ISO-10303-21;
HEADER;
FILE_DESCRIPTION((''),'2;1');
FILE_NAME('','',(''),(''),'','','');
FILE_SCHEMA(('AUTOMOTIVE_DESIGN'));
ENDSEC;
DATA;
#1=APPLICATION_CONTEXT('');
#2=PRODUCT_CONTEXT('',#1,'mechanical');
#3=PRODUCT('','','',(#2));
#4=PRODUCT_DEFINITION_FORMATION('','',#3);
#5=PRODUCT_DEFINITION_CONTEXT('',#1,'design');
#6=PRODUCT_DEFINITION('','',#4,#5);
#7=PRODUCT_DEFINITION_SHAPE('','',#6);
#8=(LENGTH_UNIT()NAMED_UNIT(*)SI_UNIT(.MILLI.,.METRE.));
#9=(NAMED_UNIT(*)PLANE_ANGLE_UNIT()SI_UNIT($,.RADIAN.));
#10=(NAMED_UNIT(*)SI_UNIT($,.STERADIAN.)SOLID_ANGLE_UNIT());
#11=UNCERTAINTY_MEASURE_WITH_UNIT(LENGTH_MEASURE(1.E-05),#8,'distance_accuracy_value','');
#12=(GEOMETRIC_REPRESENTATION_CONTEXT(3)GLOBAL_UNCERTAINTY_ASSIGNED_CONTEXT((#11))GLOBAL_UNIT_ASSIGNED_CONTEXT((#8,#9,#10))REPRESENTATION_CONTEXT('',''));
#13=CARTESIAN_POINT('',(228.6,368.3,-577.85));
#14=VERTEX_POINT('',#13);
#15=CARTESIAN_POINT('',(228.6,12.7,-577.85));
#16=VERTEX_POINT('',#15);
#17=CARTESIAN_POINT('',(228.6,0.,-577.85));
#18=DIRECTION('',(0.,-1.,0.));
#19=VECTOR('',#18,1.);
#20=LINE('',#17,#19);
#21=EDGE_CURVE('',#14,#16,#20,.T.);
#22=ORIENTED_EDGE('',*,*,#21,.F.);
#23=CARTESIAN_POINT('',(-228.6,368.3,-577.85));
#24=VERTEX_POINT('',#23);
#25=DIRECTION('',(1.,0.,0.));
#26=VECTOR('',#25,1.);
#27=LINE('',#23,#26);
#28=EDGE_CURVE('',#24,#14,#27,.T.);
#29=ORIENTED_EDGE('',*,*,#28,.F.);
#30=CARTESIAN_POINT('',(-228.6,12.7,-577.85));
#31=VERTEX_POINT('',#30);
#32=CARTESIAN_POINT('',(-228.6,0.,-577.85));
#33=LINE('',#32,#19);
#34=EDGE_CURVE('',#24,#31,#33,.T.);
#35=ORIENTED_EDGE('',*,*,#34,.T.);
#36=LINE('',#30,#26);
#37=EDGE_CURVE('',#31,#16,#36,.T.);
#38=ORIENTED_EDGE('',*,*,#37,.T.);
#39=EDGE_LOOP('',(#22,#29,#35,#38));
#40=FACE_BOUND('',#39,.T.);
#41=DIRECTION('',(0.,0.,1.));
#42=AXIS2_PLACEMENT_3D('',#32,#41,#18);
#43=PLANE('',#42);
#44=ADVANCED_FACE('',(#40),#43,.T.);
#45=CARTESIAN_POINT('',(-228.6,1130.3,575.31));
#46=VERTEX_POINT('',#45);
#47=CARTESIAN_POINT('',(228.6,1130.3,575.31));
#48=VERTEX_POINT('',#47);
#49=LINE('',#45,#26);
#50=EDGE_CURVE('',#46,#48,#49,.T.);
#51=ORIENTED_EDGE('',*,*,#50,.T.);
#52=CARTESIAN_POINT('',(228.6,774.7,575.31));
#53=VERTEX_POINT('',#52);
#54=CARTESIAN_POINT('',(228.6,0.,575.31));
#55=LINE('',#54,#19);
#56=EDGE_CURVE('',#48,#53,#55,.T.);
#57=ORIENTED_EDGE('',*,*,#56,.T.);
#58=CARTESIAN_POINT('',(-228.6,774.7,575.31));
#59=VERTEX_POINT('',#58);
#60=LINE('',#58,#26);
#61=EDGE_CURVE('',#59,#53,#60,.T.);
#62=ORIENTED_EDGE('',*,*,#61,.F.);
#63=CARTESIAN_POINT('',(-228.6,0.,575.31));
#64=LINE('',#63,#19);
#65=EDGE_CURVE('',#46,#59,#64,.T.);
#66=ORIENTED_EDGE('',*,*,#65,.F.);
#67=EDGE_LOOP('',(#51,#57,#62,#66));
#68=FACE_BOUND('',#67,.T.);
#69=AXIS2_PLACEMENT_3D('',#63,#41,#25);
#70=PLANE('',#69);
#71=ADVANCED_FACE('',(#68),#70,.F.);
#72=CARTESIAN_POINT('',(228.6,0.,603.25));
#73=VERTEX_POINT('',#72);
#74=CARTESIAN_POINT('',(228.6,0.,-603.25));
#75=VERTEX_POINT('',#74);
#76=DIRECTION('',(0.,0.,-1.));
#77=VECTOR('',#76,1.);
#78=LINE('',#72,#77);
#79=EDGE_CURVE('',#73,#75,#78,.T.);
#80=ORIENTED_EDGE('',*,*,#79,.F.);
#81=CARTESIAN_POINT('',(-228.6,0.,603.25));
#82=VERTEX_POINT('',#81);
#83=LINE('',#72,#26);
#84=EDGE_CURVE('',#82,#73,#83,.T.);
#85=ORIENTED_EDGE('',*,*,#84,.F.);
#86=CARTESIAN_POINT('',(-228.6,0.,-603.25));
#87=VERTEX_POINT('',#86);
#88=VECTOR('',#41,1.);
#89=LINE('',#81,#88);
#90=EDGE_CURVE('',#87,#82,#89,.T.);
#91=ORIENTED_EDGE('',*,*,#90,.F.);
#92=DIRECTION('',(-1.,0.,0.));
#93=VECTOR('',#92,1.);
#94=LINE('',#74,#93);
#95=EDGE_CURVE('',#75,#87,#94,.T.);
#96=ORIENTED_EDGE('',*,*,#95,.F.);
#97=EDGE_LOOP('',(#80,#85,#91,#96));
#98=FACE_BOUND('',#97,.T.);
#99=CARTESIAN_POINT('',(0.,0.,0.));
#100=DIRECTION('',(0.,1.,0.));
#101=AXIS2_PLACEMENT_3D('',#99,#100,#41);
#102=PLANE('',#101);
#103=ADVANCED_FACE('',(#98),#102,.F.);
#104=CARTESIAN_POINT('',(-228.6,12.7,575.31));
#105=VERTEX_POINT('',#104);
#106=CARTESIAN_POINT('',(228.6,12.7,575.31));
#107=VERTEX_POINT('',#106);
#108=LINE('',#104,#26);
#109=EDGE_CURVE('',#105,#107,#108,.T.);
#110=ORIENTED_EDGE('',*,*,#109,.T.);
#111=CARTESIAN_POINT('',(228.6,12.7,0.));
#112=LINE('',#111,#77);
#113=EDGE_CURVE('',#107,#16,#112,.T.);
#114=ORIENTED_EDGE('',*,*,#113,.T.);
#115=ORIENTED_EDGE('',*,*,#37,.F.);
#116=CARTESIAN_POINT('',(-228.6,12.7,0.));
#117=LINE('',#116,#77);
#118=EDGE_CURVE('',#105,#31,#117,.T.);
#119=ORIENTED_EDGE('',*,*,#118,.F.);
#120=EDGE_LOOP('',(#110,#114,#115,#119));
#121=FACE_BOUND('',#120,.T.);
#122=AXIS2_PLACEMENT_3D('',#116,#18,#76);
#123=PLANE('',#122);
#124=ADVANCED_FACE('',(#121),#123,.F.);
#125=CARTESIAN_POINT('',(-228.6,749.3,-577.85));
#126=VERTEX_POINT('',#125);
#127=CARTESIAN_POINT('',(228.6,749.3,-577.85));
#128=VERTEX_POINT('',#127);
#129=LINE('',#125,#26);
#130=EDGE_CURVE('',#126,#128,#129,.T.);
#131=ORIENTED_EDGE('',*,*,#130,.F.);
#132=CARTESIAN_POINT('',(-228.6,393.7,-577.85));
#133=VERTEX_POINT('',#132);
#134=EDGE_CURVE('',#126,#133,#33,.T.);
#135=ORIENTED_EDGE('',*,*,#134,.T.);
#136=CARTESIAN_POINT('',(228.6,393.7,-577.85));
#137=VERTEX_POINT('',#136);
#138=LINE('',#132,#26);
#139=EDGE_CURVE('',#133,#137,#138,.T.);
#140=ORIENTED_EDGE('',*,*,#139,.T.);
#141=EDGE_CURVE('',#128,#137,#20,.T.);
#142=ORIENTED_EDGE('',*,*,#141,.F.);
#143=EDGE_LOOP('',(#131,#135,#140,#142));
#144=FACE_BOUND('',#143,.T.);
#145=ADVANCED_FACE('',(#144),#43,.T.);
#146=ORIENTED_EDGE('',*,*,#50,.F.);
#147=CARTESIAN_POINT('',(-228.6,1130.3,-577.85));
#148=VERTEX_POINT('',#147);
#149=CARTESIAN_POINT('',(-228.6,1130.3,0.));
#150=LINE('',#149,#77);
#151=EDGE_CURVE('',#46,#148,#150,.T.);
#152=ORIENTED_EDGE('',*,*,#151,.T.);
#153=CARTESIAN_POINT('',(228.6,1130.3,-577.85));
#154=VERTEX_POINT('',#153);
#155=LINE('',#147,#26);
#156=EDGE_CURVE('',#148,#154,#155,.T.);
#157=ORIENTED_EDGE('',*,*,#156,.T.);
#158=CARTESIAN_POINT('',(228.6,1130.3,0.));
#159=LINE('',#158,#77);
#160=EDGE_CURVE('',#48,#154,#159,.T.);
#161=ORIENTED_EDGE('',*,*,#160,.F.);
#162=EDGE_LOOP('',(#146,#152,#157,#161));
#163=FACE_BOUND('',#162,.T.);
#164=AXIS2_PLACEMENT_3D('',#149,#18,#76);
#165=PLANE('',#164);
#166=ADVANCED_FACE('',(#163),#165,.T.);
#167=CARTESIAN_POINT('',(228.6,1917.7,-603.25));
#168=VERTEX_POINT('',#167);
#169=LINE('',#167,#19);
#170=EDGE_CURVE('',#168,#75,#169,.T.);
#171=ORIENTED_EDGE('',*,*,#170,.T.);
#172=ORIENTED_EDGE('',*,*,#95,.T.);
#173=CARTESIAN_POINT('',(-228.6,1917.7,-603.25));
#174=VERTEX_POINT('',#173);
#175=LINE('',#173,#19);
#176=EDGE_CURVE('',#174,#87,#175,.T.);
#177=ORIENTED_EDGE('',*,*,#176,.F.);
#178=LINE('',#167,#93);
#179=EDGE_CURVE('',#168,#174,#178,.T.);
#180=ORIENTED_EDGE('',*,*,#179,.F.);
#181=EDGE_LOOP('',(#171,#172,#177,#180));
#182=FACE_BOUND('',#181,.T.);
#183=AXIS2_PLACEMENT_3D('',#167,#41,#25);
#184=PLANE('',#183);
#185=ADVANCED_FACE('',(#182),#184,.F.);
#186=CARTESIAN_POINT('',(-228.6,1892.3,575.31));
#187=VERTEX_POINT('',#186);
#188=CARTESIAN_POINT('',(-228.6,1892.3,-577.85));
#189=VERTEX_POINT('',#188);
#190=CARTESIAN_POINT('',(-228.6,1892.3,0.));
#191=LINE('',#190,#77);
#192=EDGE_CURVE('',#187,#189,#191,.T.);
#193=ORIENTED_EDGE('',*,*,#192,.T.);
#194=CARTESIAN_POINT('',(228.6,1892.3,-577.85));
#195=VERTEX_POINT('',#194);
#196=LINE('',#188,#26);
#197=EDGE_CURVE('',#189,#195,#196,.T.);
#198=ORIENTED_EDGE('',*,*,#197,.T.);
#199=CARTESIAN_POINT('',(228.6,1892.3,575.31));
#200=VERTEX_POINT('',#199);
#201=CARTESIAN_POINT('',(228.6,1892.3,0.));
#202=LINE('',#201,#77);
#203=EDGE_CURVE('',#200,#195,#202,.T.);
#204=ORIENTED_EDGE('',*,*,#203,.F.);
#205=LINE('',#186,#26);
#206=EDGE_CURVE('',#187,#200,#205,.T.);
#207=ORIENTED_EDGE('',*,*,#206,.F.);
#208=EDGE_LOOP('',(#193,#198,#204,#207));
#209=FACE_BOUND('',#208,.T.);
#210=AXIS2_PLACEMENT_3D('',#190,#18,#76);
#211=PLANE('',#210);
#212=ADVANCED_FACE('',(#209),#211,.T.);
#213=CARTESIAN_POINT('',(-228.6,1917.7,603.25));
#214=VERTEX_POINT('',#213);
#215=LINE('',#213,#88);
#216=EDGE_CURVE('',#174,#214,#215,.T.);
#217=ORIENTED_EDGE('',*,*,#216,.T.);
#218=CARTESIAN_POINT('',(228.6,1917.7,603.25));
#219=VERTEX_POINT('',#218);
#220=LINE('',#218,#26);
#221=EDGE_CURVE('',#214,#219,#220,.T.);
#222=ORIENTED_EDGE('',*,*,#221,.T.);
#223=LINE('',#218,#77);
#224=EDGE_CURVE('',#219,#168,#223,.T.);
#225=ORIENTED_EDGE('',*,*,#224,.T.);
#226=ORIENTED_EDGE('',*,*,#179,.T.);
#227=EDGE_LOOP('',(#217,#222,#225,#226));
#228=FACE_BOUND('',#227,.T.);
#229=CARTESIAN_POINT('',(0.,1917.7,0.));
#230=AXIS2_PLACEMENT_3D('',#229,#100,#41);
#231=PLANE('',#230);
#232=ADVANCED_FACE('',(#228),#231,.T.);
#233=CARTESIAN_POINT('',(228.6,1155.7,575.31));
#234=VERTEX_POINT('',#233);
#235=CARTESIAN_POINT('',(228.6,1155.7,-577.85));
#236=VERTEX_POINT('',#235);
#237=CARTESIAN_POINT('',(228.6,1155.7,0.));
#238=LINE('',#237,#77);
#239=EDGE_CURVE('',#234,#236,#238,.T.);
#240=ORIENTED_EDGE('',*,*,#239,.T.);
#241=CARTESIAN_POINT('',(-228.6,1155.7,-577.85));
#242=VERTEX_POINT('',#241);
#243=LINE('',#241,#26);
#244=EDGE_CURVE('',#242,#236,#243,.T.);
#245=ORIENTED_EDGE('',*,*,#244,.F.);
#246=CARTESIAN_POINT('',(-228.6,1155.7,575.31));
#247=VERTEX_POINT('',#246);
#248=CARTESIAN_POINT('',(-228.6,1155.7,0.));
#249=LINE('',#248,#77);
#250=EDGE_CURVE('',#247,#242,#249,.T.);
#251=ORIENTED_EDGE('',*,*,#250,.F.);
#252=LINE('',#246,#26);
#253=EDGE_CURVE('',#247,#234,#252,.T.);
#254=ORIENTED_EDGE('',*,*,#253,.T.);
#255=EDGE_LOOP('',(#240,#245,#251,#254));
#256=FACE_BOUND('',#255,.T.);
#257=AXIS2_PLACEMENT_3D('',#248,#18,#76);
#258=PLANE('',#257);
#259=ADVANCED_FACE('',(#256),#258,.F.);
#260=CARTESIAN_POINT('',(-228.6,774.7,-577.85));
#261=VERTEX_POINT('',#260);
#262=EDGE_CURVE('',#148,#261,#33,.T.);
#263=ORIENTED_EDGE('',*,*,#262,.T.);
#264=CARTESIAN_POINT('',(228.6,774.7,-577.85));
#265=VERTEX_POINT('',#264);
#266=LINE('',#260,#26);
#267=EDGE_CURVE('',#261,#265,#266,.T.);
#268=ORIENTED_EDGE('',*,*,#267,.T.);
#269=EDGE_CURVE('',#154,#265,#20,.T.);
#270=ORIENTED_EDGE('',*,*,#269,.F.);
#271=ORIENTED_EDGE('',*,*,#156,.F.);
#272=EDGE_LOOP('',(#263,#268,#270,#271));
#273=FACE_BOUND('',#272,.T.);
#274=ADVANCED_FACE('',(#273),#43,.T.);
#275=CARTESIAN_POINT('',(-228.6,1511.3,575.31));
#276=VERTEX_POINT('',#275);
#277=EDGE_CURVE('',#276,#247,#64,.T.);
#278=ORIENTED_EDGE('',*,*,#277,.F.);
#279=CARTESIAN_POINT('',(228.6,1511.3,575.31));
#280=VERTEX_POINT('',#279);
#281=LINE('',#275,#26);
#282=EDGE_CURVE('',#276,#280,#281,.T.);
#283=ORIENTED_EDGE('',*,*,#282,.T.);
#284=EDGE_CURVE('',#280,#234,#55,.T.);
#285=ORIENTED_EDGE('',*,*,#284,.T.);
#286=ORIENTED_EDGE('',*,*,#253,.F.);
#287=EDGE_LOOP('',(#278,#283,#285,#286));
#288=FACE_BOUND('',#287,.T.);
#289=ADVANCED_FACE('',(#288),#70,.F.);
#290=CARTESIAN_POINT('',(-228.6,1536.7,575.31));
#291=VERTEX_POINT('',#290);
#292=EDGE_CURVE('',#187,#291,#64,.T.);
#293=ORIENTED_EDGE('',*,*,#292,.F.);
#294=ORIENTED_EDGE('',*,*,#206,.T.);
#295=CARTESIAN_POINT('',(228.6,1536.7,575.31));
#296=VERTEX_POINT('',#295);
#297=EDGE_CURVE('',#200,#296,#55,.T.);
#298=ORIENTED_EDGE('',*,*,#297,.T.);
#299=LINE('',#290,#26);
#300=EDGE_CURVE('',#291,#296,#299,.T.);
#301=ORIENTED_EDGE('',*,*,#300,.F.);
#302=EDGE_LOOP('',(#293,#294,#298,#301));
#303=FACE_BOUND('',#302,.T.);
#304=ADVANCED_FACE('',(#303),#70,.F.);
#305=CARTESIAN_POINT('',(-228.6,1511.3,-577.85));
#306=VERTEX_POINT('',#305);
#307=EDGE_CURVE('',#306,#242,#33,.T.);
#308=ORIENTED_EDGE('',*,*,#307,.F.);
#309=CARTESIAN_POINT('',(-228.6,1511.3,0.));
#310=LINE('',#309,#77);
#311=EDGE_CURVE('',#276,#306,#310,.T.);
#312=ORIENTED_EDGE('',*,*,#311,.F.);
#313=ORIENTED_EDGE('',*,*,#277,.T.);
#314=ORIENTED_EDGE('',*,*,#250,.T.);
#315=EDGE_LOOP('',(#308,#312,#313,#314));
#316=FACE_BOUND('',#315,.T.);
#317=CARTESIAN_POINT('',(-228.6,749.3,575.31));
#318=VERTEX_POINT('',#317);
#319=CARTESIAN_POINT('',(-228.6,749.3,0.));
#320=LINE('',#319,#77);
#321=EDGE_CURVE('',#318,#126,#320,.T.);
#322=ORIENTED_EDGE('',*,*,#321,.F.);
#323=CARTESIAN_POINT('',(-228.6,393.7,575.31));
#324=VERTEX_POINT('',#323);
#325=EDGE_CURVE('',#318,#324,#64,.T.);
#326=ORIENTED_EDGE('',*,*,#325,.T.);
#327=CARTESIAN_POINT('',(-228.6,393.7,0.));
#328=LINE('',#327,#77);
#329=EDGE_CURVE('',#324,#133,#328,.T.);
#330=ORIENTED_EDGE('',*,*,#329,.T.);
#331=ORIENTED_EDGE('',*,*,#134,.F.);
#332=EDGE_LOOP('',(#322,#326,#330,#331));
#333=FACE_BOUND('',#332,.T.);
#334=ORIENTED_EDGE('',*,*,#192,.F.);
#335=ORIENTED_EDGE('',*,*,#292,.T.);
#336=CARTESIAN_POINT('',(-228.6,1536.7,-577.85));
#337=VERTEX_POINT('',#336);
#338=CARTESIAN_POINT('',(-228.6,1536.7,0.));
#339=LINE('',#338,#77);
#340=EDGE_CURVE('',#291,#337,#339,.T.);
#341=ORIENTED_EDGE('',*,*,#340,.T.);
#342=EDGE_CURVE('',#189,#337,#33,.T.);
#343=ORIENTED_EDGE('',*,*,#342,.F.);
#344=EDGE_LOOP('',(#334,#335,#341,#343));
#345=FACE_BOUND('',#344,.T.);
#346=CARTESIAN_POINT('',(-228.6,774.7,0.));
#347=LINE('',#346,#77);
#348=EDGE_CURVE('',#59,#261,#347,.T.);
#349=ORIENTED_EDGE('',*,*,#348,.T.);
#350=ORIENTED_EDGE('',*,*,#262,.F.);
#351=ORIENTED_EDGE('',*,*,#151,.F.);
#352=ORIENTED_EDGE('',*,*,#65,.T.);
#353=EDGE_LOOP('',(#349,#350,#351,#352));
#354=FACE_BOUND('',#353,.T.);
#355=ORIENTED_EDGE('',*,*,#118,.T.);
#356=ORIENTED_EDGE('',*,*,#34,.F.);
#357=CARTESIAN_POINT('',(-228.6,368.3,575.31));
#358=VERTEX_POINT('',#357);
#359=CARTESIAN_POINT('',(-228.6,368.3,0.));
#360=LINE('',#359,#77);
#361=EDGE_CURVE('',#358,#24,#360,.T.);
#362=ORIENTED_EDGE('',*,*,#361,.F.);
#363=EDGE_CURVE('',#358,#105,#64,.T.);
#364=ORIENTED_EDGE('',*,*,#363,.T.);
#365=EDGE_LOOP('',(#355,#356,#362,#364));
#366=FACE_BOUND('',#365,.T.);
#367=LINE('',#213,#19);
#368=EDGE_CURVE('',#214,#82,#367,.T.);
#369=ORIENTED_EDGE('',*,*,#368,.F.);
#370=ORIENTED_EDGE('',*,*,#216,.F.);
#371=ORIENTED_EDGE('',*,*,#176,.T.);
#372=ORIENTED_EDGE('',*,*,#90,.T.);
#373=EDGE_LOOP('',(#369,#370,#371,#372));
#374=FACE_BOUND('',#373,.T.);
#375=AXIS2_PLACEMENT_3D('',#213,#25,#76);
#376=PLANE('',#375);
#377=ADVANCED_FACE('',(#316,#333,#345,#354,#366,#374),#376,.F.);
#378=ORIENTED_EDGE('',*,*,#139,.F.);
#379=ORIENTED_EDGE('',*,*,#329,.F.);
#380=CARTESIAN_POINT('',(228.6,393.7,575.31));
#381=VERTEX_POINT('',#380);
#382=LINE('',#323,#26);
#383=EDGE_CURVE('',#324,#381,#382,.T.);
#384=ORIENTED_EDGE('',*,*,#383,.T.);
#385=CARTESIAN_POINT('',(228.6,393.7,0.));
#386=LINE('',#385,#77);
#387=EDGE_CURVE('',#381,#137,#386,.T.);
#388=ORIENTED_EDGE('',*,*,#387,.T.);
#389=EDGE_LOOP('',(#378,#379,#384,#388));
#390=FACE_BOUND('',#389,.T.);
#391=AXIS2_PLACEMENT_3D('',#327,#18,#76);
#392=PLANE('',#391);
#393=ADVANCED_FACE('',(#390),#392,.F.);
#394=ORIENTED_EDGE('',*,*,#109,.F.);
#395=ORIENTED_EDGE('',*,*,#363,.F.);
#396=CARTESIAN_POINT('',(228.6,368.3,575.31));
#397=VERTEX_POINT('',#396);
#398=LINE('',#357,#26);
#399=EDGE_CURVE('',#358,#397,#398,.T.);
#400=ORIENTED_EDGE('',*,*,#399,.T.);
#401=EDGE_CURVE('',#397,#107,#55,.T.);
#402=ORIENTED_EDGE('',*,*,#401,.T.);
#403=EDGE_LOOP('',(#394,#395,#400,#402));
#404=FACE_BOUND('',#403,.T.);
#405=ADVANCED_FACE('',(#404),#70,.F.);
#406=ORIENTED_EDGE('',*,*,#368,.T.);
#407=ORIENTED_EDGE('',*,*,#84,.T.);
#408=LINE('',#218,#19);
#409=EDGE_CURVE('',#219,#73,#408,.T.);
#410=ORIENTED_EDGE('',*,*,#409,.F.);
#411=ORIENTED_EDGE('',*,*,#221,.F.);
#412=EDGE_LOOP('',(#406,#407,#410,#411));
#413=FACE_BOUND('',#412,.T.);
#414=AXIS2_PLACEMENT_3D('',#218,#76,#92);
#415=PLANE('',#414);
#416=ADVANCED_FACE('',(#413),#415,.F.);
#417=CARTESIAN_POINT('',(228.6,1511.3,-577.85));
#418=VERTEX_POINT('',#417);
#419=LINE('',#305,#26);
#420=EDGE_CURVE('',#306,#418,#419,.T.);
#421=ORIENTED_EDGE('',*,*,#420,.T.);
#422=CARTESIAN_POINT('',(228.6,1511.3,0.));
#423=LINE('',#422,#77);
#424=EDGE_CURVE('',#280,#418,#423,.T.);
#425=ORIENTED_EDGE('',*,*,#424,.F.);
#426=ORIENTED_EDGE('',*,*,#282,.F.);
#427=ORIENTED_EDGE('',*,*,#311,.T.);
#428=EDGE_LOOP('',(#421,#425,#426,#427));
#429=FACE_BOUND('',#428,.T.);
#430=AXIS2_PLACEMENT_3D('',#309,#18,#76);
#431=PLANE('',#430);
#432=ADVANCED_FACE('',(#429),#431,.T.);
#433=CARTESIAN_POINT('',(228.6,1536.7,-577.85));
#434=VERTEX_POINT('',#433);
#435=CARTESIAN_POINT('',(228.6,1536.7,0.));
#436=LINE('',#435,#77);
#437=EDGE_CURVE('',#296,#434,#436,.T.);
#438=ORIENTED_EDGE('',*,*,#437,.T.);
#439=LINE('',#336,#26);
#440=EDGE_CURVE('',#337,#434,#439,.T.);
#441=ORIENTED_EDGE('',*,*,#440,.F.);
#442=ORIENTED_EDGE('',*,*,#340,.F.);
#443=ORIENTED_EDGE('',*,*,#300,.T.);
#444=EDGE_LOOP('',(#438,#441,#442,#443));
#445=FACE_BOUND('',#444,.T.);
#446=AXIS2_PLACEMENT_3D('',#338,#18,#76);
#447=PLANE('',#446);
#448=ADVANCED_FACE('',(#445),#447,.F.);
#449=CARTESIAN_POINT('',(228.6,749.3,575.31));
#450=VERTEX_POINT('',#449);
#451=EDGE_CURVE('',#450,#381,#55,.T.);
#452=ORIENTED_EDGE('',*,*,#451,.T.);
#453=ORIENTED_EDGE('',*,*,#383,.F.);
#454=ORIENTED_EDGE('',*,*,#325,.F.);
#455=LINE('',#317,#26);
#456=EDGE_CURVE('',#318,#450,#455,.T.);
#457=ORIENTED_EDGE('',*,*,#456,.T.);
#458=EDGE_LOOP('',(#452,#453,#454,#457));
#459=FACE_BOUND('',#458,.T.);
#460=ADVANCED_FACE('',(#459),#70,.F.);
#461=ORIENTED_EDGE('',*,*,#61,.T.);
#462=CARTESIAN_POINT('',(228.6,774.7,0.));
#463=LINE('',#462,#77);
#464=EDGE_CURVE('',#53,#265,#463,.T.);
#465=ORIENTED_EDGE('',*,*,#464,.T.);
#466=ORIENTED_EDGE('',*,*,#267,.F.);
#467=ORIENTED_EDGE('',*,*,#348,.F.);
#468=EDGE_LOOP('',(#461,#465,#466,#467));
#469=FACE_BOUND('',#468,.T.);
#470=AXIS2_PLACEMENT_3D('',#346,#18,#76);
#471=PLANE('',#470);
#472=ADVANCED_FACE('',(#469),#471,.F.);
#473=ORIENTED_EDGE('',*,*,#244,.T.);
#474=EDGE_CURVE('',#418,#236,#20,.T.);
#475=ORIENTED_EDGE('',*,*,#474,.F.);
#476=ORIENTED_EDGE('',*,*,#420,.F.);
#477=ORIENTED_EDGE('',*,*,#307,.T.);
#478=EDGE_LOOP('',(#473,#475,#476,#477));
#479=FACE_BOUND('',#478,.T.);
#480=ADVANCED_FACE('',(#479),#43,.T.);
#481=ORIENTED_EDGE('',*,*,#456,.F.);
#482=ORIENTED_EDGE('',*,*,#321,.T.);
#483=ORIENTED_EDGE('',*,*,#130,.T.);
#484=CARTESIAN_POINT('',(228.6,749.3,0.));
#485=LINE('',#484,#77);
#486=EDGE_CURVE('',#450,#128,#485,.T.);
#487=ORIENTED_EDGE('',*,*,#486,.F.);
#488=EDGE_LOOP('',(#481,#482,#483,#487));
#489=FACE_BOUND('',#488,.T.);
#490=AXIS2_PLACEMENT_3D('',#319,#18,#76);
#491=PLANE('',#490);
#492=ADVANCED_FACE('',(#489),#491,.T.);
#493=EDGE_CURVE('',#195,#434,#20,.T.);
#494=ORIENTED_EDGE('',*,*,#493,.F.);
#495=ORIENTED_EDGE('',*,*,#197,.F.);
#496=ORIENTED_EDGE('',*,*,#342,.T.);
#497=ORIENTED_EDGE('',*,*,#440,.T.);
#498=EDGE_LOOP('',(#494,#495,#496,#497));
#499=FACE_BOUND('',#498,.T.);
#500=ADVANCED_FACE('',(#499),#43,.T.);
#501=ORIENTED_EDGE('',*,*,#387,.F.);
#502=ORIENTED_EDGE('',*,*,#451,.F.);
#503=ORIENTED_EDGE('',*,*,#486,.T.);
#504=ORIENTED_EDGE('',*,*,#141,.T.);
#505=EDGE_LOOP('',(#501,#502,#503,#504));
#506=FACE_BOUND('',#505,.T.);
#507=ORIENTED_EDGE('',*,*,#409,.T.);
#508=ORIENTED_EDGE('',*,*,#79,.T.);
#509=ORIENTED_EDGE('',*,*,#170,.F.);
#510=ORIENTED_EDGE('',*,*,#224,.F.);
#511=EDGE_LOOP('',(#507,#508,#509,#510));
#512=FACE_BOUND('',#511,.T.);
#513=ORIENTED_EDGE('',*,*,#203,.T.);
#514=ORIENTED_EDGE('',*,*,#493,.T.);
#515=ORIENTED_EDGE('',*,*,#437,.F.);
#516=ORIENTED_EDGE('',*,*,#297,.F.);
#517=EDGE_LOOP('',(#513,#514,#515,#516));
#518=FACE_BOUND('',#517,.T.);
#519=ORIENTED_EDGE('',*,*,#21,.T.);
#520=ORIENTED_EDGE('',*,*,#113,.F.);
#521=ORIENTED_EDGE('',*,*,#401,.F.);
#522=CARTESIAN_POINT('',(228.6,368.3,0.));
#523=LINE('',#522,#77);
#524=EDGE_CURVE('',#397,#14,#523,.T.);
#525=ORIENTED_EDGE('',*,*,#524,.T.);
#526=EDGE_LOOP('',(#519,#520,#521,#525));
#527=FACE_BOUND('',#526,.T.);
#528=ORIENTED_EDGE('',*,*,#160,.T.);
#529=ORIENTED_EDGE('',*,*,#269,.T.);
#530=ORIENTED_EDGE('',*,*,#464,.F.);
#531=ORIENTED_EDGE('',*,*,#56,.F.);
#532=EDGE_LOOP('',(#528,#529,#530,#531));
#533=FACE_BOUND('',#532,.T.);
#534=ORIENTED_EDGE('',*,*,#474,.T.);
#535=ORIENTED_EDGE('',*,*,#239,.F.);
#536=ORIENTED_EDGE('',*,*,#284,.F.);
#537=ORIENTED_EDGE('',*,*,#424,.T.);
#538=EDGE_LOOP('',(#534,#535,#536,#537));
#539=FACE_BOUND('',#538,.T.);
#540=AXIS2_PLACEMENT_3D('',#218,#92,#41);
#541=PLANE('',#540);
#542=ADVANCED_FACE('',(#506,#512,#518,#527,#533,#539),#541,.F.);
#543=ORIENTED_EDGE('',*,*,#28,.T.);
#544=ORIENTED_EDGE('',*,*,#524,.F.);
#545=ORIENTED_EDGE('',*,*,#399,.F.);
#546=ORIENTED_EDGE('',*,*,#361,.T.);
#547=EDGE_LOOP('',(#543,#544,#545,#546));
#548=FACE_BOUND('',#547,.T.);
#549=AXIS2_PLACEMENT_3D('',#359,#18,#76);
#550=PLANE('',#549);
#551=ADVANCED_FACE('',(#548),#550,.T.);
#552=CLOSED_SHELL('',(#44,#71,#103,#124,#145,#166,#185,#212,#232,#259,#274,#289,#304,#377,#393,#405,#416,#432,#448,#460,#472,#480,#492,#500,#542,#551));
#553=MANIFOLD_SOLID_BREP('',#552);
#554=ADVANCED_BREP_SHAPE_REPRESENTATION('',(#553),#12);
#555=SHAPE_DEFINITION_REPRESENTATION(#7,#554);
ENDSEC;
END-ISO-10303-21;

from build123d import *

# Parameters (mm, degrees)
SKETCH1_W           = 457.2
SKETCH1_H           = 1206.5
BOSS_EXTRUDE1_DEPTH = 1917.7
SKETCH2_W           = 1153.16
SKETCH2_H           = 355.6
CUT_EXTRUDE2_DEPTH  = 458.2


with BuildPart() as part:
    # Sketch1 → Boss-Extrude1 (new body)
    with BuildSketch(Plane(origin=(0, 0, 0), x_dir=(1, 0, 0), z_dir=(0, 1, 0))):
        Rectangle(SKETCH1_W, SKETCH1_H)
    extrude(amount=BOSS_EXTRUDE1_DEPTH)

    # Sketch2 → Cut-Extrude2 (cut, through all)
    with BuildSketch(Plane(origin=(228.6, 0, 0), x_dir=(0, 0, -1), z_dir=(1, 0, 0))):
        with Locations((1.27, 1714.5)):
            Rectangle(SKETCH2_W, SKETCH2_H)
        with Locations((1.27, 1333.5)):
            Rectangle(SKETCH2_W, SKETCH2_H)
        with Locations((1.27, 952.5)):
            Rectangle(SKETCH2_W, SKETCH2_H)
        with Locations((1.27, 571.5)):
            Rectangle(SKETCH2_W, SKETCH2_H)
        with Locations((1.27, 190.5)):
            Rectangle(SKETCH2_W, SKETCH2_H)
    extrude(amount=-CUT_EXTRUDE2_DEPTH, mode=Mode.SUBTRACT)


solid = part.part
